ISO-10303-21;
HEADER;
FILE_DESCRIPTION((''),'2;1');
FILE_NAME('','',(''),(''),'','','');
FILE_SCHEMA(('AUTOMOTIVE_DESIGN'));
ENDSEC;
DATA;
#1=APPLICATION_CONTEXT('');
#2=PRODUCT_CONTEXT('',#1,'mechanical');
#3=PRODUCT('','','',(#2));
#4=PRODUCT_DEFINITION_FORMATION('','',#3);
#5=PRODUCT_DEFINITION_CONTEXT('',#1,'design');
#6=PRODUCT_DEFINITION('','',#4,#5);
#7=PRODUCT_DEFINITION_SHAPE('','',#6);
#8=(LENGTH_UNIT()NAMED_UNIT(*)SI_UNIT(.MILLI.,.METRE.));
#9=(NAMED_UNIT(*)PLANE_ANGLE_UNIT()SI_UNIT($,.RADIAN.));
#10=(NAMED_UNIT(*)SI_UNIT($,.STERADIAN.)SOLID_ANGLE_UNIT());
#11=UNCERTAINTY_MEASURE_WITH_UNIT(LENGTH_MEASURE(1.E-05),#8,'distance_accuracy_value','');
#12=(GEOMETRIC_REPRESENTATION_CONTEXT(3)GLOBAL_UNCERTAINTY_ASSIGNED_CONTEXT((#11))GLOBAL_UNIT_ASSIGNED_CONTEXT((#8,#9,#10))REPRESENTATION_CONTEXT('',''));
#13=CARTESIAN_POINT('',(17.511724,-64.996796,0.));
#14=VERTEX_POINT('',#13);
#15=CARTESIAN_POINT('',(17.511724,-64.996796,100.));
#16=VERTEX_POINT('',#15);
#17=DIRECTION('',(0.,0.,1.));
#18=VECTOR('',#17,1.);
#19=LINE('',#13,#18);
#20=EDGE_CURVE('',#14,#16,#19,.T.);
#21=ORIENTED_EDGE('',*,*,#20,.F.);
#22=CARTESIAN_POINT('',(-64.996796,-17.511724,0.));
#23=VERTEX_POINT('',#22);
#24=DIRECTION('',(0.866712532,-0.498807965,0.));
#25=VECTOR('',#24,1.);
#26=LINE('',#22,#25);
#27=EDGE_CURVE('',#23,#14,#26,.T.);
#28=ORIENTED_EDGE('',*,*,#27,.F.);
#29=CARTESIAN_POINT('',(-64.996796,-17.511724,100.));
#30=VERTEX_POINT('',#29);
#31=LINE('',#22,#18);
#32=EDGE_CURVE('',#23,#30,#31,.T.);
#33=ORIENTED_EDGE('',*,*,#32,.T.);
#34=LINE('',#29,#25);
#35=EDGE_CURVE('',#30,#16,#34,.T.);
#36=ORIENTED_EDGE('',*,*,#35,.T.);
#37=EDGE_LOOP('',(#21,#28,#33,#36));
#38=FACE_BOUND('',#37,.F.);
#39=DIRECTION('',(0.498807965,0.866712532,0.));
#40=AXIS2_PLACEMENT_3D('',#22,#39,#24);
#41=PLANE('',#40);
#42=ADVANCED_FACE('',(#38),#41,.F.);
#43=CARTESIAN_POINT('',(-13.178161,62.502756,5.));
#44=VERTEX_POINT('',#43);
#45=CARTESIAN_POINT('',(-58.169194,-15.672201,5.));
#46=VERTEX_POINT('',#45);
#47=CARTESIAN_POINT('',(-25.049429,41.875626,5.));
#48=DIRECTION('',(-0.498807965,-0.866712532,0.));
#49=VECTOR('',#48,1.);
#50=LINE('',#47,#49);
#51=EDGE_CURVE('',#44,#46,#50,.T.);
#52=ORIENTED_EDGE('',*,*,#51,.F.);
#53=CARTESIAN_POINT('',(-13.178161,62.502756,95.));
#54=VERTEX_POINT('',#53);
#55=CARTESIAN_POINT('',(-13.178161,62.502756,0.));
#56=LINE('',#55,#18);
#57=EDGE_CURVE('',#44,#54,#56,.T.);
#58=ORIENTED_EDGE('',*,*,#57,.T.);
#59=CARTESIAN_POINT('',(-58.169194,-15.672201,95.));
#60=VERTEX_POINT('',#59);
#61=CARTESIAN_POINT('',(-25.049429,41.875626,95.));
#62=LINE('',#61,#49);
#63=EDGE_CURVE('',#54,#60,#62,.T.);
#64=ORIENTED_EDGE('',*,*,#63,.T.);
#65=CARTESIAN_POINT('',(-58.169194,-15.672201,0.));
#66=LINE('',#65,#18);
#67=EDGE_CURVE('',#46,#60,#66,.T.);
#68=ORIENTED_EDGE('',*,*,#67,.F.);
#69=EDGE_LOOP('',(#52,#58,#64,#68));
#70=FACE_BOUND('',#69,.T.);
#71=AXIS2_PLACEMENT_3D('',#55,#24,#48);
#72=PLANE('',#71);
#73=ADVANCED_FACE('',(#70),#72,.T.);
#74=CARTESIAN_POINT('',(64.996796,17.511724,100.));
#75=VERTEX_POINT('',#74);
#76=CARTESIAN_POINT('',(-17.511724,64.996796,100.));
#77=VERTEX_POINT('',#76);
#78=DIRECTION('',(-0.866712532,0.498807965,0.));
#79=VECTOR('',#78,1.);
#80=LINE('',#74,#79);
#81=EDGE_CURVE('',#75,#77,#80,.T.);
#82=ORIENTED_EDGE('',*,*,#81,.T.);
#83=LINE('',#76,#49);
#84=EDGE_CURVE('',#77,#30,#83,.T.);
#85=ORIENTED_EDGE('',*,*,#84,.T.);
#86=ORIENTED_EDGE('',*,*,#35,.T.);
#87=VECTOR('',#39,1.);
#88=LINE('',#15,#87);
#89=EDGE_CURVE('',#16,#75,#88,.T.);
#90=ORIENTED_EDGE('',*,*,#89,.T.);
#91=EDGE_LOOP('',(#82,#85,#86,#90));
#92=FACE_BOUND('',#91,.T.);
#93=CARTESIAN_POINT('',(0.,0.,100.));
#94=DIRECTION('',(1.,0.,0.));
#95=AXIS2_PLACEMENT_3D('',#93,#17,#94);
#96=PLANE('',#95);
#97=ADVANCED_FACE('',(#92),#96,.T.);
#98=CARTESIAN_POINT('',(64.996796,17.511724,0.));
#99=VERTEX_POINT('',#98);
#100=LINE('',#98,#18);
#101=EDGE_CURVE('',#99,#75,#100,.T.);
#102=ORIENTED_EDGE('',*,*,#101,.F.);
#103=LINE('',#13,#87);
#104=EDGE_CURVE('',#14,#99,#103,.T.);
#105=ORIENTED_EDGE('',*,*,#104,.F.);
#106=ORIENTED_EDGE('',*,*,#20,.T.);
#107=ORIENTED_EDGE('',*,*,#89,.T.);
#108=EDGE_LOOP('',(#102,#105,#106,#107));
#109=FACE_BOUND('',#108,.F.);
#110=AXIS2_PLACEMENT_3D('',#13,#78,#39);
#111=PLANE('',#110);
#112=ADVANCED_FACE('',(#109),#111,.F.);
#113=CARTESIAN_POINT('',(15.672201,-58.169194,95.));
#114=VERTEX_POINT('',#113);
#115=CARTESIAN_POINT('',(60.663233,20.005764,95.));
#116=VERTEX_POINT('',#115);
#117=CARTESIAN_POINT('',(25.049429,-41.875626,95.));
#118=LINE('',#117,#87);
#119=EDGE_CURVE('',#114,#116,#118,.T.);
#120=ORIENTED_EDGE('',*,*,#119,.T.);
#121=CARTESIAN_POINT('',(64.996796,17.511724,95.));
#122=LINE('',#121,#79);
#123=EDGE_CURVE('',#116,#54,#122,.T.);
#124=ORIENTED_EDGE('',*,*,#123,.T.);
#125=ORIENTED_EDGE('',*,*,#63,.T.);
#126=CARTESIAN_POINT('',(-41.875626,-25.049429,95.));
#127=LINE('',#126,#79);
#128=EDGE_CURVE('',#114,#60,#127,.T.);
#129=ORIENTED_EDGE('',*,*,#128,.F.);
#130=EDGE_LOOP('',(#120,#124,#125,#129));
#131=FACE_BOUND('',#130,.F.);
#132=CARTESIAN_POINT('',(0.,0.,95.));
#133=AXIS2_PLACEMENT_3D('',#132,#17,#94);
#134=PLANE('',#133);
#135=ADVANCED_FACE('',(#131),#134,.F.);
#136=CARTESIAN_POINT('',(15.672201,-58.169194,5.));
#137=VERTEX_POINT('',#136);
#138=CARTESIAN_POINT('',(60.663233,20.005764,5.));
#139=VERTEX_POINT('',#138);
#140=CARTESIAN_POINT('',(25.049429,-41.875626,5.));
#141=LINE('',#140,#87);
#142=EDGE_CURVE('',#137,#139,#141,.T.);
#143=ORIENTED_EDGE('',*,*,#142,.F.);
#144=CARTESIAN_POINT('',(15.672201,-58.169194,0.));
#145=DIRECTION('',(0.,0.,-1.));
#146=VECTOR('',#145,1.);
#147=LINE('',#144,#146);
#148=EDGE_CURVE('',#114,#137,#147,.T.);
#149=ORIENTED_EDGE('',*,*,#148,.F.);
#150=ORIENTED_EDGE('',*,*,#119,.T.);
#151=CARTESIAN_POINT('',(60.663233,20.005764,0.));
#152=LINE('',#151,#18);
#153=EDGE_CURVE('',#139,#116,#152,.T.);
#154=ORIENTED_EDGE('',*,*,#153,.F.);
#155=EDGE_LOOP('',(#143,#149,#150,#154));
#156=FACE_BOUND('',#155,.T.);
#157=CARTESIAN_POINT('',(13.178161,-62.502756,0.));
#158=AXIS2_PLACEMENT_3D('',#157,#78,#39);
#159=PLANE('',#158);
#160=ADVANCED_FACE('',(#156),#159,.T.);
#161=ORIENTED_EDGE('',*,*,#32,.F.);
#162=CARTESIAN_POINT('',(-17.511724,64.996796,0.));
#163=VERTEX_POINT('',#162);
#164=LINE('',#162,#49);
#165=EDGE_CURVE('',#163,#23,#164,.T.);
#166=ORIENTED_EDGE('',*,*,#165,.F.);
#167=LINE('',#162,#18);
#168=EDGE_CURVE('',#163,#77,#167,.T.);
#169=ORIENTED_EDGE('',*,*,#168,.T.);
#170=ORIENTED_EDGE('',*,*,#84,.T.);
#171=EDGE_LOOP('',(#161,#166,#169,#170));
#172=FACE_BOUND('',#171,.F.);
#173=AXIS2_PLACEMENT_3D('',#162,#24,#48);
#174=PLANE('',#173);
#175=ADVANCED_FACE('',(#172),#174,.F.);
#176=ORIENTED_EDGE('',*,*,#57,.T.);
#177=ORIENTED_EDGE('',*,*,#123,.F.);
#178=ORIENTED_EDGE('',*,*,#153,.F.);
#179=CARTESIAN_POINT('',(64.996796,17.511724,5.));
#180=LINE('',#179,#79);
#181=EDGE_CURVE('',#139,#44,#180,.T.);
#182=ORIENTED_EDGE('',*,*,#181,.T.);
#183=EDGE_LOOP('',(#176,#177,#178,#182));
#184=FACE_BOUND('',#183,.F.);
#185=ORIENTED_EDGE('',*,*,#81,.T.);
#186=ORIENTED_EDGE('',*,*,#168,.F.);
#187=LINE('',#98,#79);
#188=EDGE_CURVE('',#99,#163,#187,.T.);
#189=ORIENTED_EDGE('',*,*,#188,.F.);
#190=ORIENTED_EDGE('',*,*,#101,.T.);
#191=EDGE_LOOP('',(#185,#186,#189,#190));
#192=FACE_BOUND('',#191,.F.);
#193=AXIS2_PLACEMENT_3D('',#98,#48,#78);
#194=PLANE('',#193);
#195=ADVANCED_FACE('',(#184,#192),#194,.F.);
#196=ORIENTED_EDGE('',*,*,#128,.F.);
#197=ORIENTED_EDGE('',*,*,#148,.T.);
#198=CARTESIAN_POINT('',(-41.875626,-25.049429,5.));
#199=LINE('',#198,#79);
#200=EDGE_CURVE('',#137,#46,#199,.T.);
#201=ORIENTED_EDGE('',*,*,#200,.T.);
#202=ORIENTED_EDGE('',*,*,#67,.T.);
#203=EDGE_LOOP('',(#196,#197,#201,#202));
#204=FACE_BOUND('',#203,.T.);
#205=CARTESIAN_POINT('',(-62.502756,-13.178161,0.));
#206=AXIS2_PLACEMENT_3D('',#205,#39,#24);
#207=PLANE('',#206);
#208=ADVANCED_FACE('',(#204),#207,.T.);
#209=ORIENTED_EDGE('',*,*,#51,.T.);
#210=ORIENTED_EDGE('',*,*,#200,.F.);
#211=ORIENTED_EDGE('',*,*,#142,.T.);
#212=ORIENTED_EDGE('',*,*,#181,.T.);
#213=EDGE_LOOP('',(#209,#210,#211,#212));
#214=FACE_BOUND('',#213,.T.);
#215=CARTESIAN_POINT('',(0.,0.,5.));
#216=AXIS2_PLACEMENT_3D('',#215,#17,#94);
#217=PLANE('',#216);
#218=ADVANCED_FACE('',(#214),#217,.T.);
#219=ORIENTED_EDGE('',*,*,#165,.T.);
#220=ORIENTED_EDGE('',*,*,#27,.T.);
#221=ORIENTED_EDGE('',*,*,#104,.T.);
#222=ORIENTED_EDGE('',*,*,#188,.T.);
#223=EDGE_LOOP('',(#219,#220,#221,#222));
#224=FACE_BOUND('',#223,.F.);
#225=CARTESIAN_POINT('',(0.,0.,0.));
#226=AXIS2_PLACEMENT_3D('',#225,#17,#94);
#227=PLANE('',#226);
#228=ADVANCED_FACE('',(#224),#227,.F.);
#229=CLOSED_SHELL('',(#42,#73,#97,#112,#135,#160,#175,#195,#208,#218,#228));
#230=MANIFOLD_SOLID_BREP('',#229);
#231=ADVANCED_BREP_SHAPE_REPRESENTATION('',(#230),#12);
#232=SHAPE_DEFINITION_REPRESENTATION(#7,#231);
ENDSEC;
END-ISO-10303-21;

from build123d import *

# Parameters (mm, degrees)
F1_DEPTH = 100
F2_T     = -5


with BuildPart() as f1:
    # F0 (on Top) → F1 (new body)
    with BuildSketch(Plane.XY):
        Polygon((64.996796, 17.511724), (-17.511724, 64.996796), (-64.996796, -17.511724), (17.511724, -64.996796), align=None)
    extrude(amount=F1_DEPTH)

    # F2
    f2_openings = [f1.faces().sort_by_distance(p)[0] for p in [
        (23.742536, 41.25426, 50),
    ]]
    offset(amount=F2_T, openings=f2_openings)


solid = f1.part
